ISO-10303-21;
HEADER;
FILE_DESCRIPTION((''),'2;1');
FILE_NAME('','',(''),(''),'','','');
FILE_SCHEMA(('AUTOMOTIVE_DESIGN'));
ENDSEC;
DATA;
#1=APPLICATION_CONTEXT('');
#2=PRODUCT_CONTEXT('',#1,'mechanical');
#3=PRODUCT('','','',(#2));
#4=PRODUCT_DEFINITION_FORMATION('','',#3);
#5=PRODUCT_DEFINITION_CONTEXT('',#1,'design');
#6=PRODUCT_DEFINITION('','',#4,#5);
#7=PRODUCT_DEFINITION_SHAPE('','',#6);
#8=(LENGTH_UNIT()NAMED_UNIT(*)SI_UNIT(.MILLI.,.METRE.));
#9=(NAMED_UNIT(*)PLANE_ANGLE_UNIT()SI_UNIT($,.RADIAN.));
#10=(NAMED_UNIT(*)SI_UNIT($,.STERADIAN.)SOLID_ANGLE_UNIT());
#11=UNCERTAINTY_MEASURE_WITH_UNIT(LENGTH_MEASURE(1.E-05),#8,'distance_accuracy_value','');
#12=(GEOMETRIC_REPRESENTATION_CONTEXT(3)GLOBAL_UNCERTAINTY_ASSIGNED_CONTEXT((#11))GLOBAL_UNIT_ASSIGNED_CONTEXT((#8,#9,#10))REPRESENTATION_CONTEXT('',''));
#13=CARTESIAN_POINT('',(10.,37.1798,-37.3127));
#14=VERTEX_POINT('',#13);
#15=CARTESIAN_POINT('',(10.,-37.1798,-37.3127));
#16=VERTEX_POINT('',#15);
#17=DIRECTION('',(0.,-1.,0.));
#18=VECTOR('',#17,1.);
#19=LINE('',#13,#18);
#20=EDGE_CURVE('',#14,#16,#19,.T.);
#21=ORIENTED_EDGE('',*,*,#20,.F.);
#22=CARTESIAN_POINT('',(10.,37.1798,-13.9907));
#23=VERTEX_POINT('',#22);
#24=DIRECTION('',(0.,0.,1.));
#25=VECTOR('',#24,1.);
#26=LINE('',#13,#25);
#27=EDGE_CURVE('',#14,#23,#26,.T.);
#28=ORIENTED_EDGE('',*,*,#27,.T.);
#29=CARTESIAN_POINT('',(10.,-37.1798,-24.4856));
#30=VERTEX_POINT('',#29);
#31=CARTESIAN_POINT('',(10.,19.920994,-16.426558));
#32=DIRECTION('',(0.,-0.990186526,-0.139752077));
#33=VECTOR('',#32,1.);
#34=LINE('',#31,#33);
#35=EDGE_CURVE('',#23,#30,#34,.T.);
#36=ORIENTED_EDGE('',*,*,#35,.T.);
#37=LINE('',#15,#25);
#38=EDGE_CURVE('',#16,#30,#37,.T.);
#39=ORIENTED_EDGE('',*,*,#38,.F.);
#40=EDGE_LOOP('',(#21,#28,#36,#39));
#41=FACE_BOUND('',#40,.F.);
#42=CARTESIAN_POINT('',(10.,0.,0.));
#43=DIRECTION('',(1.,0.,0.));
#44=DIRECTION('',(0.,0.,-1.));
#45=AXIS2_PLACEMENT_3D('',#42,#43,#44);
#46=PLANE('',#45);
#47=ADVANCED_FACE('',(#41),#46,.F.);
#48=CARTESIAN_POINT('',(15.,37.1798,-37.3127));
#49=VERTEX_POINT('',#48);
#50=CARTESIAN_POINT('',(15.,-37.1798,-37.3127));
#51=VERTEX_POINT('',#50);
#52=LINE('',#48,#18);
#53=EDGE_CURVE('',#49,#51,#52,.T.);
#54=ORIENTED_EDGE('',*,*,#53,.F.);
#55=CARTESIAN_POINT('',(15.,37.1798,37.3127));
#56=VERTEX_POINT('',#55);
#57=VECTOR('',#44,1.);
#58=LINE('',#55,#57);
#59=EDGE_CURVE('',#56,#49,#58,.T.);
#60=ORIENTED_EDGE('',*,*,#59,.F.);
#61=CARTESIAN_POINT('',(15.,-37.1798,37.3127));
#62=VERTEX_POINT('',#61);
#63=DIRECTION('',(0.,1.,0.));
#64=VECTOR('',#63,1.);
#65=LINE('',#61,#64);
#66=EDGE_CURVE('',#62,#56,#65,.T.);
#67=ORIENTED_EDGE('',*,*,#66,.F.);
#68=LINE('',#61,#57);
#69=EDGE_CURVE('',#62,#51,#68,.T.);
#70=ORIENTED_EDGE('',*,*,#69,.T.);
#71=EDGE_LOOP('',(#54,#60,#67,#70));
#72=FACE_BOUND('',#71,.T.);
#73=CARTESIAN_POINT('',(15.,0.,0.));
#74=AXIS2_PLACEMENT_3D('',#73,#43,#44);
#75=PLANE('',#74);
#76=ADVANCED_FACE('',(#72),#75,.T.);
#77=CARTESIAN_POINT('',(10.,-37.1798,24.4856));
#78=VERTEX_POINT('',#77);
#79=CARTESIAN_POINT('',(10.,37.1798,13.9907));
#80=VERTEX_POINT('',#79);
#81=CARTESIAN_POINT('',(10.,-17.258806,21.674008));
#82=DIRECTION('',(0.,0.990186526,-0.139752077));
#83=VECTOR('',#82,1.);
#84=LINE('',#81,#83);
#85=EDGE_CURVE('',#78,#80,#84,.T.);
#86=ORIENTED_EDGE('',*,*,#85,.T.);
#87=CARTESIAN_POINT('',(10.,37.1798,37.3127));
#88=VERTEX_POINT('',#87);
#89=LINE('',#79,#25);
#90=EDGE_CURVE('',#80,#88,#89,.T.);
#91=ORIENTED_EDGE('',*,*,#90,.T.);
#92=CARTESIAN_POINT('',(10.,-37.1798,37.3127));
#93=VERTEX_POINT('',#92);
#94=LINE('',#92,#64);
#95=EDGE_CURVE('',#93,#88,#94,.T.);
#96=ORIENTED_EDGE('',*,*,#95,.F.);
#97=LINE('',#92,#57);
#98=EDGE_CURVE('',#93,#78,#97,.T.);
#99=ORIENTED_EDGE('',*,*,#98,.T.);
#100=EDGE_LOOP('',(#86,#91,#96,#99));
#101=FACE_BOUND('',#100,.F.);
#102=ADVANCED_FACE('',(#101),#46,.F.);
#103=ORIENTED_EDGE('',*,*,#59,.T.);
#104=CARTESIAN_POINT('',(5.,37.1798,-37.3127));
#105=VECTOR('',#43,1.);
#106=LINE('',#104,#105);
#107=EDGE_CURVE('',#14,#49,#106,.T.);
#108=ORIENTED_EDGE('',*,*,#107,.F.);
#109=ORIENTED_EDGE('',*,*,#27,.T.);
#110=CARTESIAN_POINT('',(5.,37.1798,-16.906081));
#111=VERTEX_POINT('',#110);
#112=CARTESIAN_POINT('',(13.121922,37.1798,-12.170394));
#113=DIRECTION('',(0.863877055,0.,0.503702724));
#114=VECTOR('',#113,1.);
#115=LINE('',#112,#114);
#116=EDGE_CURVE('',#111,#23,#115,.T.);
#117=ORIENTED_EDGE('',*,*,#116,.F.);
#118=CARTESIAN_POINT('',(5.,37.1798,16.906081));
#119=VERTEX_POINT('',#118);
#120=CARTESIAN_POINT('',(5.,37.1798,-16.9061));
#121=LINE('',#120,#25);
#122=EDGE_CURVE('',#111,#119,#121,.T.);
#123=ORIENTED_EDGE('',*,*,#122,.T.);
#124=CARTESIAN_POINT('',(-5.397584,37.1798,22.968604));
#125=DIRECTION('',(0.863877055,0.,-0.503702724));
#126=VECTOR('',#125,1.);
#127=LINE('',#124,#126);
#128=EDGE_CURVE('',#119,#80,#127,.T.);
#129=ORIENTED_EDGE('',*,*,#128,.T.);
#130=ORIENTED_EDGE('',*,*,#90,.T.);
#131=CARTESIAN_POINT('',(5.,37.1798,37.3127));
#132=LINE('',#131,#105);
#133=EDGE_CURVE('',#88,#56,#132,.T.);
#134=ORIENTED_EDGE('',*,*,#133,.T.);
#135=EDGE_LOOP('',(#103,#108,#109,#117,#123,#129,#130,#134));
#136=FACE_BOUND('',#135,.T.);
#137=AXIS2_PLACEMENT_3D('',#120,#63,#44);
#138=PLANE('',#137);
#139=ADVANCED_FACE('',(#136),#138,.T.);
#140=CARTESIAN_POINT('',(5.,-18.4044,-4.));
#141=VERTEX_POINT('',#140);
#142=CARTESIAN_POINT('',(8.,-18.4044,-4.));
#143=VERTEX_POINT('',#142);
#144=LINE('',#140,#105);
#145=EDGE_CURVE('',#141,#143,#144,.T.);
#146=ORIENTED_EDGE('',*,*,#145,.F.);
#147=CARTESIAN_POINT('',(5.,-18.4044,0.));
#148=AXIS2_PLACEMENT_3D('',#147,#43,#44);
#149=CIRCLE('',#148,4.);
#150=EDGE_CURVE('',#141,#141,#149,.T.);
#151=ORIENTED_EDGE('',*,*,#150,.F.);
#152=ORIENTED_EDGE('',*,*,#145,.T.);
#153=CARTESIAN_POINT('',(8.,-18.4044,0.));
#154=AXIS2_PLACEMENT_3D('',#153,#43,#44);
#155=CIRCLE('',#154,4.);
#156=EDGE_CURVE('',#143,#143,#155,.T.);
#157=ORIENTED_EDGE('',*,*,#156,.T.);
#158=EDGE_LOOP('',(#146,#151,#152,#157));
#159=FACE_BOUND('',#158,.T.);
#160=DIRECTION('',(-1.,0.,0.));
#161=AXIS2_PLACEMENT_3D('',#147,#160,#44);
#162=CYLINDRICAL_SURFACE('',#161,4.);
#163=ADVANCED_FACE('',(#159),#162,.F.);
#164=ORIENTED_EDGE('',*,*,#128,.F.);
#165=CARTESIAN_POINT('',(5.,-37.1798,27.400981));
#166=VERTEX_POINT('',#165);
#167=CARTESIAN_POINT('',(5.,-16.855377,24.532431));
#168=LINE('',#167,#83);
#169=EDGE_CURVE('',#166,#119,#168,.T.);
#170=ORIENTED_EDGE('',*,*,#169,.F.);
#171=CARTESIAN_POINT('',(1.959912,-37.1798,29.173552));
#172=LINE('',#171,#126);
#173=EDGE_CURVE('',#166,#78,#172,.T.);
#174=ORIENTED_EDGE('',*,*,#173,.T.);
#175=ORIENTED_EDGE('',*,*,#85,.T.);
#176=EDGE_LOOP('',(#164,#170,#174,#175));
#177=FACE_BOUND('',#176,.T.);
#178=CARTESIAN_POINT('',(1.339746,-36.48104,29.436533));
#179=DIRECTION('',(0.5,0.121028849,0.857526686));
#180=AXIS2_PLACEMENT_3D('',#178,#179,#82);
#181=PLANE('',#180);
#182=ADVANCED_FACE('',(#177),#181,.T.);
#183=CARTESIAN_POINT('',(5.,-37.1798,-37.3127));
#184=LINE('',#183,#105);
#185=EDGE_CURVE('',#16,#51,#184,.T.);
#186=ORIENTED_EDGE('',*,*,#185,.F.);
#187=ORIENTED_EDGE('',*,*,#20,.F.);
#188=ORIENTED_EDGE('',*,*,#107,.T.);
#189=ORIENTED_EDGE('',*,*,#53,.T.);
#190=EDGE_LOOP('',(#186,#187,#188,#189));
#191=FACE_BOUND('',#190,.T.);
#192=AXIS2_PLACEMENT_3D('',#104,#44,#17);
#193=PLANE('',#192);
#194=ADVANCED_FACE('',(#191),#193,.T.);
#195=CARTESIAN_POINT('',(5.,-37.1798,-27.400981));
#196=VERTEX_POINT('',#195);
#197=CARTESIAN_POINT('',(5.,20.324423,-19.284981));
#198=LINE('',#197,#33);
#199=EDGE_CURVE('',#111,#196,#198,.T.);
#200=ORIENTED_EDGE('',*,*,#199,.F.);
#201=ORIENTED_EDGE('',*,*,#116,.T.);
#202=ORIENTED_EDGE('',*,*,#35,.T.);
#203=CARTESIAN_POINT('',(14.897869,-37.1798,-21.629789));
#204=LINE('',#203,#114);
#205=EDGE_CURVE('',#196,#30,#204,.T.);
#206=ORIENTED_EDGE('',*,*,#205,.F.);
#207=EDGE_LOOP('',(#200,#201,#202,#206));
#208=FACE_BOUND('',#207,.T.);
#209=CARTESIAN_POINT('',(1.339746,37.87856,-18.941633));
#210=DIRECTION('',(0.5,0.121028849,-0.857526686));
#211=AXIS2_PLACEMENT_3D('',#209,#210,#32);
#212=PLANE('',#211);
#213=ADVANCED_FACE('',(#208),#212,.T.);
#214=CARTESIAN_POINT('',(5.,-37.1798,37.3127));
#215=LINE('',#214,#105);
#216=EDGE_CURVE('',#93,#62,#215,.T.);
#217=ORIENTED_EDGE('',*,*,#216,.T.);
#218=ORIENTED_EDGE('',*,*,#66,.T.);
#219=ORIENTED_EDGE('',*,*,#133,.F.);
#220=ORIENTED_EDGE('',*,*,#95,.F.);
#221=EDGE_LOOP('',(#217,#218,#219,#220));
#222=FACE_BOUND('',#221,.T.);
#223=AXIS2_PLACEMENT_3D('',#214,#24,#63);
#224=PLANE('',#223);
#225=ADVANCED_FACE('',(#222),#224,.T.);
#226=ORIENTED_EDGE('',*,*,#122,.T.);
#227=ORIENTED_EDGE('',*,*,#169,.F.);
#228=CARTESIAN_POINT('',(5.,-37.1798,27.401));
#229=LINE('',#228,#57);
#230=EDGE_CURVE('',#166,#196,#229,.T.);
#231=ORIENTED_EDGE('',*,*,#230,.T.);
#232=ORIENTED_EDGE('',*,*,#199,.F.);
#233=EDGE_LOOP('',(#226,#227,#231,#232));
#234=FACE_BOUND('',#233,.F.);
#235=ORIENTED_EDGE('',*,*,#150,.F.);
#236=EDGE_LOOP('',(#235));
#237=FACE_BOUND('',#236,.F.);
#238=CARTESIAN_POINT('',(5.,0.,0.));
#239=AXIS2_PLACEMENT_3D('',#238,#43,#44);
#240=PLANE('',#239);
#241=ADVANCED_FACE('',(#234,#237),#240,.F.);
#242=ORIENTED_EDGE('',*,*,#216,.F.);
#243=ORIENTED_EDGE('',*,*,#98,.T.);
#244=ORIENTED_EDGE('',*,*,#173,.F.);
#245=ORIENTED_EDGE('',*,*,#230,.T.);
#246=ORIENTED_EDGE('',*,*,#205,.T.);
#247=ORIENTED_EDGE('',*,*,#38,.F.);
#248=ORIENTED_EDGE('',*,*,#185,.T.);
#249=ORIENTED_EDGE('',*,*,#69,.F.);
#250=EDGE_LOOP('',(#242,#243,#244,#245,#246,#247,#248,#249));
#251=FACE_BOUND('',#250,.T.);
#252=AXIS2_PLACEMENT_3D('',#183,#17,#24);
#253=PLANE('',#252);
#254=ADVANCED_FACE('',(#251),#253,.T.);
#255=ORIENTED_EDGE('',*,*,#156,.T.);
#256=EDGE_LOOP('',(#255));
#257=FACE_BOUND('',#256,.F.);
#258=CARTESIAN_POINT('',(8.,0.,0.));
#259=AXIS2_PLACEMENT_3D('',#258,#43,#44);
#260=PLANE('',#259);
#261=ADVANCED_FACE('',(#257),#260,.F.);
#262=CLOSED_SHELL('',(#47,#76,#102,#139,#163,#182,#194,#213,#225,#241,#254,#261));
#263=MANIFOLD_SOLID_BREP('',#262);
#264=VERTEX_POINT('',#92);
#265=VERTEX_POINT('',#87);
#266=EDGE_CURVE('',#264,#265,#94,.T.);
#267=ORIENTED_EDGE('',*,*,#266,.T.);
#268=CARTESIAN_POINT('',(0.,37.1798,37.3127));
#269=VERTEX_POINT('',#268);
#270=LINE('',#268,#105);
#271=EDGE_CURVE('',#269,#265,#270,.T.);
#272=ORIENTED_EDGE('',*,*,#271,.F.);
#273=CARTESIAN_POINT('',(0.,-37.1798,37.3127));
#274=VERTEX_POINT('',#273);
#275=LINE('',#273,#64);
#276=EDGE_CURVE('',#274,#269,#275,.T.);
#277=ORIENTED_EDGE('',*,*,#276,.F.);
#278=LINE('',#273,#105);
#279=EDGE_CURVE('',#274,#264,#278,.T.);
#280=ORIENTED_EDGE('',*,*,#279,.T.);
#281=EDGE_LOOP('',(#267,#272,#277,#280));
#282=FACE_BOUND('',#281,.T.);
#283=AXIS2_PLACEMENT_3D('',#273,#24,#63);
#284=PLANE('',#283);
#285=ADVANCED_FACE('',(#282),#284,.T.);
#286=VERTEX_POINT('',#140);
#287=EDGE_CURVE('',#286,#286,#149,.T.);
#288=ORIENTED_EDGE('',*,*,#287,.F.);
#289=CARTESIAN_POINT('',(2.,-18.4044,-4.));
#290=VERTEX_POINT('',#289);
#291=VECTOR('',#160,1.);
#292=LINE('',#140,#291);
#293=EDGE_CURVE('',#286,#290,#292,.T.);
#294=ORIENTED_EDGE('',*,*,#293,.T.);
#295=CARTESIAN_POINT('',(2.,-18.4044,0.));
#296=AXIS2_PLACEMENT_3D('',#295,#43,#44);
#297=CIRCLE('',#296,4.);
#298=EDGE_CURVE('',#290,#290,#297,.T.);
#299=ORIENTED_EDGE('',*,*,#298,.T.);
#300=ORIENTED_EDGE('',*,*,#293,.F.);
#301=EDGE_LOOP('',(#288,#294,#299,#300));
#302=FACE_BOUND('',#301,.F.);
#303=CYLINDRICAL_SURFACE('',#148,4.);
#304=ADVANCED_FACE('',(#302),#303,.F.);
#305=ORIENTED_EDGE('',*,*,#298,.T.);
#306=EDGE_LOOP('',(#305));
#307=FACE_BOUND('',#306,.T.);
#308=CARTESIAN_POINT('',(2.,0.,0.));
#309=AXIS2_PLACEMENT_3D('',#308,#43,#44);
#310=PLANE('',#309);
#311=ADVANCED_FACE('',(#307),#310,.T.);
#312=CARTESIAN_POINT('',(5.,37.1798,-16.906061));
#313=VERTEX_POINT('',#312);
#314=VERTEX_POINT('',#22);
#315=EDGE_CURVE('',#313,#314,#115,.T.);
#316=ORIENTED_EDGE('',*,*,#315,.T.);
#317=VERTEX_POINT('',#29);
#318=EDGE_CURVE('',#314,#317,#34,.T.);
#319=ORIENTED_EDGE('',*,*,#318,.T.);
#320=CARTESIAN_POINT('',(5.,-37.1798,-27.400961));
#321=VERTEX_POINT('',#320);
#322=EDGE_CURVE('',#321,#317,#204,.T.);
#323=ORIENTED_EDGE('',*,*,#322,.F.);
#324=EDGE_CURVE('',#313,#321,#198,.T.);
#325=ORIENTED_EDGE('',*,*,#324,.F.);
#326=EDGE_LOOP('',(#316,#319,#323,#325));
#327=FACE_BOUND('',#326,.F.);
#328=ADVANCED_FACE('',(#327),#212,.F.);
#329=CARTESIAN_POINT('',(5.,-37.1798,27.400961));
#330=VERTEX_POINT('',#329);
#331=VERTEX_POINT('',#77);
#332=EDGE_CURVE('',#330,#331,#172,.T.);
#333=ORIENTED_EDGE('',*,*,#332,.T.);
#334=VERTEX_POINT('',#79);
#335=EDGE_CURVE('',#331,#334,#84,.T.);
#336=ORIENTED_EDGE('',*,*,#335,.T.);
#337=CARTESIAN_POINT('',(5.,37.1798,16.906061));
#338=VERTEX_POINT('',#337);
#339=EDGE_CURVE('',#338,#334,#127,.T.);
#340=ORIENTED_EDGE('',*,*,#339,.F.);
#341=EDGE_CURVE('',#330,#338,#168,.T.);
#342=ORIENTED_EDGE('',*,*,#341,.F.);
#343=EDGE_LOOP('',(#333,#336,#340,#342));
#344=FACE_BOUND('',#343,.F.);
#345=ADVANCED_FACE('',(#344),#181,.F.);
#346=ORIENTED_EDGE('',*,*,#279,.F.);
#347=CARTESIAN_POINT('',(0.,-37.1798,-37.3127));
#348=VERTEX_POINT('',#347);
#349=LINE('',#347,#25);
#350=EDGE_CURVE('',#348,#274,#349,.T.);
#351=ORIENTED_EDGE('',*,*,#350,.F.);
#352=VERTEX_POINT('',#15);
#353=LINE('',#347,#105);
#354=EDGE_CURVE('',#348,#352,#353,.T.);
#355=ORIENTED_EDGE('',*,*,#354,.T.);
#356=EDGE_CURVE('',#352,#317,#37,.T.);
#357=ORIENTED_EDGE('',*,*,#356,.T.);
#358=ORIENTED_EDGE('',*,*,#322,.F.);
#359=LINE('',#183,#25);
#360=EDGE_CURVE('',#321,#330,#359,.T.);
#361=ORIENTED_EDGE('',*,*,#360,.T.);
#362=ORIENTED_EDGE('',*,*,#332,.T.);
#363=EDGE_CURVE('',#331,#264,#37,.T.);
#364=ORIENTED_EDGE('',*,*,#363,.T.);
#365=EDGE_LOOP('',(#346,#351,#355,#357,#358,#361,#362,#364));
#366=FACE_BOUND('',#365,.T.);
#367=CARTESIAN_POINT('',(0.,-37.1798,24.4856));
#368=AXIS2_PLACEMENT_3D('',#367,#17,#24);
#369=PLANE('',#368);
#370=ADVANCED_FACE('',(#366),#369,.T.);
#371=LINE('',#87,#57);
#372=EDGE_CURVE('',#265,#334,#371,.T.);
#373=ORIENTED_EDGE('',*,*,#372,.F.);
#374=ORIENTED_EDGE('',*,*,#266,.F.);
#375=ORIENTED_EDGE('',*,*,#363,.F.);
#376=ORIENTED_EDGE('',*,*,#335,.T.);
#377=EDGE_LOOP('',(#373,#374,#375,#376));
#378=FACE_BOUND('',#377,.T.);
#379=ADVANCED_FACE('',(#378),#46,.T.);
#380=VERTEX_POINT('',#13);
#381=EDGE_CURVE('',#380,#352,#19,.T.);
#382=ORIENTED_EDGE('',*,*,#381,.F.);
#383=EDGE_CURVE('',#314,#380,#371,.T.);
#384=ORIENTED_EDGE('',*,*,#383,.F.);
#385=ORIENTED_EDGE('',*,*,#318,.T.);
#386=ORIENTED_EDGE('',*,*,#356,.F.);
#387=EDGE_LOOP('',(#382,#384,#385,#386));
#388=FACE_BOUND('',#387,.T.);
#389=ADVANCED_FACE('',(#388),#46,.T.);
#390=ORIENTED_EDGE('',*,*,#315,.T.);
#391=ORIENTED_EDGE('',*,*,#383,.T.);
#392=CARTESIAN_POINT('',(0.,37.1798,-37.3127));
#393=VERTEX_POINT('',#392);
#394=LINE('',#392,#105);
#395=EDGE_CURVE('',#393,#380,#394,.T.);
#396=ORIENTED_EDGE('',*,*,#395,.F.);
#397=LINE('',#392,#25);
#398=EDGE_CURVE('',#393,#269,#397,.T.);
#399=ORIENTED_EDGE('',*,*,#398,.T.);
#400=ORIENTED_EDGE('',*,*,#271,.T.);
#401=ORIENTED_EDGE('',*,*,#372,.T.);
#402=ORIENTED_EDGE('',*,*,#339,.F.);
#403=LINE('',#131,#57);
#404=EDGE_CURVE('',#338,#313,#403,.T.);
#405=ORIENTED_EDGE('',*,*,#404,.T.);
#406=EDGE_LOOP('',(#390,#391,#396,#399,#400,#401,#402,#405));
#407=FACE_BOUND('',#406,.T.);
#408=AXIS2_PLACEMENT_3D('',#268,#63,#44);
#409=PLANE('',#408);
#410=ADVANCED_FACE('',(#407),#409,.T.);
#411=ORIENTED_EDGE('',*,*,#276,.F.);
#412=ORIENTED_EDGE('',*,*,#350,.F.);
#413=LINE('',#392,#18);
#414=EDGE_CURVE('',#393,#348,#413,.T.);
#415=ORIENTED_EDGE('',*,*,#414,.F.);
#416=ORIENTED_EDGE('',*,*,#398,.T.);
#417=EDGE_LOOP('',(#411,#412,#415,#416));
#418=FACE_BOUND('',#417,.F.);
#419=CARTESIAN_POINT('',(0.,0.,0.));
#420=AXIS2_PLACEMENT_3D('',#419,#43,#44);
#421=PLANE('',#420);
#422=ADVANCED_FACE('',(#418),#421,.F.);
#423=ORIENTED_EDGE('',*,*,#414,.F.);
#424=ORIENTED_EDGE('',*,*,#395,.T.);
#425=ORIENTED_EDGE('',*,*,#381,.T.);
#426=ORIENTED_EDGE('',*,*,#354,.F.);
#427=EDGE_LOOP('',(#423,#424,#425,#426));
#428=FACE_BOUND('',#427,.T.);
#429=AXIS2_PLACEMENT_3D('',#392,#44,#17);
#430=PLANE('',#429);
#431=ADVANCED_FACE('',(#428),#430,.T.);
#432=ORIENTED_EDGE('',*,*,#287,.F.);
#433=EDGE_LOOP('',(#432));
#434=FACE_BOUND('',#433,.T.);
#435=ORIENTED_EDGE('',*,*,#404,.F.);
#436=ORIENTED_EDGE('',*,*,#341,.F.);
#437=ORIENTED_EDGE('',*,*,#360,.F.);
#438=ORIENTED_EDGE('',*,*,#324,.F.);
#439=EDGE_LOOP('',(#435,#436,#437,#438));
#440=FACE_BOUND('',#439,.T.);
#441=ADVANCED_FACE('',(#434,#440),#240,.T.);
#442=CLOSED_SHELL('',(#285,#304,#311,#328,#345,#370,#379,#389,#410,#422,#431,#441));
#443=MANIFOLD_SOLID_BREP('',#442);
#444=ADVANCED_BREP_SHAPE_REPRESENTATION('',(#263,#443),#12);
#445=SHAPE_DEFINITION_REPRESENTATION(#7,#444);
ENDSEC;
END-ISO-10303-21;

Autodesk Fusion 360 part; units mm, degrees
sketch "Sketch2" plane through (0, 0, 0) normal (1, 0, 0) x (0, 0, -1)
  line L0 (-37.3127, 37.1798) -> (37.3127, 37.1798)
  line L1 (37.3127, 37.1798) -> (37.3127, -37.1798)
  line L2 (37.3127, -37.1798) -> (-37.3127, -37.1798)
  line L3 (-37.3127, -37.1798) -> (-37.3127, 37.1798)
  line L4 (0, 62.0565) -> (0, -42.698) construction
  line L5 (-61.9952, 0) -> (63.5549, 0) construction
  line L6 (-24.4856, -37.1798) -> (-13.9907, 37.1798)
  line L7 (13.9907, 37.1798) -> (24.4856, -37.1798)
extrude "Extrude1" add sketch "Sketch2" along normal blind 10 contours L0 L2 L3 L6 | L0 L1 L2 L7 makes body 1 at (0, 12.3933, 25.263) makes body 2 at (0, 12.3933, -25.263)
extrude "Extrude2" add sketch "Sketch2" along normal blind 5 contours L0 L2 L6 L7 bodies 1 2
draft "Draft1" angle -30 neutral plane through (10, 0, 0) pull (1, 0, 0) 1 faces at (8.3333, -12.3933, 20.9873) on bodies 1
draft "Draft2" angle -30 neutral plane through (10, 0, 0) pull (1, 0, 0) 1 faces at (8.3333, 12.3933, -17.489) on bodies 1
sketch "Sketch3" plane through (5, 0, 0) normal (1, 0, 0) x (0, 0, -1)
  line L0 (16.9061, 37.1798) -> (-16.9061, 37.1798)
  line L1 (-16.9061, 37.1798) -> (-27.401, -37.1798)
  line L2 (-27.401, -37.1798) -> (27.401, -37.1798)
  line L3 (27.401, -37.1798) -> (16.9061, 37.1798)
  circle A0 centre (0, -18.4044) radius 4
  line L4 (0, 0) -> (0, -18.4044) construction
  dimension "d9" = 8
extrude "Extrude3" cut sketch "Sketch3" against normal blind 3 contours A0 bodies 1
copy_body "Body->Comp1" bodies 1 removing the originals makes body 3 in component "base"
copy_body "CopyPasteBodies1" bodies 3 makes body 4
sketch "Sketch4" plane through (5, 0, 0) normal (1, 0, 0) x (0, 0, -1)
  circle A0 centre (0, -18.4044) radius 4
  line L0 (16.9061, 37.1798) -> (-16.9061, 37.1798)
  line L1 (-16.9061, 37.1798) -> (-27.401, -37.1798) construction
  line L2 (-27.401, -37.1798) -> (27.401, -37.1798)
  line L3 (27.401, -37.1798) -> (16.9061, 37.1798) construction
  line L4 (-37.3127, 37.1798) -> (37.3127, 37.1798)
  line L5 (37.3127, 37.1798) -> (37.3127, -37.1798)
  line L6 (37.3127, -37.1798) -> (-37.3127, -37.1798)
  line L7 (-37.3127, -37.1798) -> (-37.3127, 37.1798)
  point P0 (-37.3127, 37.1798)
  point P1 (37.3127, -37.1798)
extrude "Extrude4" add sketch "Sketch4" along normal blind 10 separate body makes body 5
combine "Combine1" operation cut target body 5 tool bodies 4
delete_face "DeleteFace1" 1 faces at (11.6667, -18.6038, -3.995) on bodies 5
extrude "Extrude5" cut sketch "Sketch3" along normal blind 3 contours A0 bodies 5
copy_body "Body->Comp2" bodies 5 removing the originals makes body 6 in component "tool_plate"
component "base" placed x (1, 0, 0) y (0, 1, 0) z (0, 0, 1) at (0, 0, 0)
component "tool_plate" placed x (1, 0, 0) y (0, 1, 0) z (0, 0, 1) at (0, 0, 0)
